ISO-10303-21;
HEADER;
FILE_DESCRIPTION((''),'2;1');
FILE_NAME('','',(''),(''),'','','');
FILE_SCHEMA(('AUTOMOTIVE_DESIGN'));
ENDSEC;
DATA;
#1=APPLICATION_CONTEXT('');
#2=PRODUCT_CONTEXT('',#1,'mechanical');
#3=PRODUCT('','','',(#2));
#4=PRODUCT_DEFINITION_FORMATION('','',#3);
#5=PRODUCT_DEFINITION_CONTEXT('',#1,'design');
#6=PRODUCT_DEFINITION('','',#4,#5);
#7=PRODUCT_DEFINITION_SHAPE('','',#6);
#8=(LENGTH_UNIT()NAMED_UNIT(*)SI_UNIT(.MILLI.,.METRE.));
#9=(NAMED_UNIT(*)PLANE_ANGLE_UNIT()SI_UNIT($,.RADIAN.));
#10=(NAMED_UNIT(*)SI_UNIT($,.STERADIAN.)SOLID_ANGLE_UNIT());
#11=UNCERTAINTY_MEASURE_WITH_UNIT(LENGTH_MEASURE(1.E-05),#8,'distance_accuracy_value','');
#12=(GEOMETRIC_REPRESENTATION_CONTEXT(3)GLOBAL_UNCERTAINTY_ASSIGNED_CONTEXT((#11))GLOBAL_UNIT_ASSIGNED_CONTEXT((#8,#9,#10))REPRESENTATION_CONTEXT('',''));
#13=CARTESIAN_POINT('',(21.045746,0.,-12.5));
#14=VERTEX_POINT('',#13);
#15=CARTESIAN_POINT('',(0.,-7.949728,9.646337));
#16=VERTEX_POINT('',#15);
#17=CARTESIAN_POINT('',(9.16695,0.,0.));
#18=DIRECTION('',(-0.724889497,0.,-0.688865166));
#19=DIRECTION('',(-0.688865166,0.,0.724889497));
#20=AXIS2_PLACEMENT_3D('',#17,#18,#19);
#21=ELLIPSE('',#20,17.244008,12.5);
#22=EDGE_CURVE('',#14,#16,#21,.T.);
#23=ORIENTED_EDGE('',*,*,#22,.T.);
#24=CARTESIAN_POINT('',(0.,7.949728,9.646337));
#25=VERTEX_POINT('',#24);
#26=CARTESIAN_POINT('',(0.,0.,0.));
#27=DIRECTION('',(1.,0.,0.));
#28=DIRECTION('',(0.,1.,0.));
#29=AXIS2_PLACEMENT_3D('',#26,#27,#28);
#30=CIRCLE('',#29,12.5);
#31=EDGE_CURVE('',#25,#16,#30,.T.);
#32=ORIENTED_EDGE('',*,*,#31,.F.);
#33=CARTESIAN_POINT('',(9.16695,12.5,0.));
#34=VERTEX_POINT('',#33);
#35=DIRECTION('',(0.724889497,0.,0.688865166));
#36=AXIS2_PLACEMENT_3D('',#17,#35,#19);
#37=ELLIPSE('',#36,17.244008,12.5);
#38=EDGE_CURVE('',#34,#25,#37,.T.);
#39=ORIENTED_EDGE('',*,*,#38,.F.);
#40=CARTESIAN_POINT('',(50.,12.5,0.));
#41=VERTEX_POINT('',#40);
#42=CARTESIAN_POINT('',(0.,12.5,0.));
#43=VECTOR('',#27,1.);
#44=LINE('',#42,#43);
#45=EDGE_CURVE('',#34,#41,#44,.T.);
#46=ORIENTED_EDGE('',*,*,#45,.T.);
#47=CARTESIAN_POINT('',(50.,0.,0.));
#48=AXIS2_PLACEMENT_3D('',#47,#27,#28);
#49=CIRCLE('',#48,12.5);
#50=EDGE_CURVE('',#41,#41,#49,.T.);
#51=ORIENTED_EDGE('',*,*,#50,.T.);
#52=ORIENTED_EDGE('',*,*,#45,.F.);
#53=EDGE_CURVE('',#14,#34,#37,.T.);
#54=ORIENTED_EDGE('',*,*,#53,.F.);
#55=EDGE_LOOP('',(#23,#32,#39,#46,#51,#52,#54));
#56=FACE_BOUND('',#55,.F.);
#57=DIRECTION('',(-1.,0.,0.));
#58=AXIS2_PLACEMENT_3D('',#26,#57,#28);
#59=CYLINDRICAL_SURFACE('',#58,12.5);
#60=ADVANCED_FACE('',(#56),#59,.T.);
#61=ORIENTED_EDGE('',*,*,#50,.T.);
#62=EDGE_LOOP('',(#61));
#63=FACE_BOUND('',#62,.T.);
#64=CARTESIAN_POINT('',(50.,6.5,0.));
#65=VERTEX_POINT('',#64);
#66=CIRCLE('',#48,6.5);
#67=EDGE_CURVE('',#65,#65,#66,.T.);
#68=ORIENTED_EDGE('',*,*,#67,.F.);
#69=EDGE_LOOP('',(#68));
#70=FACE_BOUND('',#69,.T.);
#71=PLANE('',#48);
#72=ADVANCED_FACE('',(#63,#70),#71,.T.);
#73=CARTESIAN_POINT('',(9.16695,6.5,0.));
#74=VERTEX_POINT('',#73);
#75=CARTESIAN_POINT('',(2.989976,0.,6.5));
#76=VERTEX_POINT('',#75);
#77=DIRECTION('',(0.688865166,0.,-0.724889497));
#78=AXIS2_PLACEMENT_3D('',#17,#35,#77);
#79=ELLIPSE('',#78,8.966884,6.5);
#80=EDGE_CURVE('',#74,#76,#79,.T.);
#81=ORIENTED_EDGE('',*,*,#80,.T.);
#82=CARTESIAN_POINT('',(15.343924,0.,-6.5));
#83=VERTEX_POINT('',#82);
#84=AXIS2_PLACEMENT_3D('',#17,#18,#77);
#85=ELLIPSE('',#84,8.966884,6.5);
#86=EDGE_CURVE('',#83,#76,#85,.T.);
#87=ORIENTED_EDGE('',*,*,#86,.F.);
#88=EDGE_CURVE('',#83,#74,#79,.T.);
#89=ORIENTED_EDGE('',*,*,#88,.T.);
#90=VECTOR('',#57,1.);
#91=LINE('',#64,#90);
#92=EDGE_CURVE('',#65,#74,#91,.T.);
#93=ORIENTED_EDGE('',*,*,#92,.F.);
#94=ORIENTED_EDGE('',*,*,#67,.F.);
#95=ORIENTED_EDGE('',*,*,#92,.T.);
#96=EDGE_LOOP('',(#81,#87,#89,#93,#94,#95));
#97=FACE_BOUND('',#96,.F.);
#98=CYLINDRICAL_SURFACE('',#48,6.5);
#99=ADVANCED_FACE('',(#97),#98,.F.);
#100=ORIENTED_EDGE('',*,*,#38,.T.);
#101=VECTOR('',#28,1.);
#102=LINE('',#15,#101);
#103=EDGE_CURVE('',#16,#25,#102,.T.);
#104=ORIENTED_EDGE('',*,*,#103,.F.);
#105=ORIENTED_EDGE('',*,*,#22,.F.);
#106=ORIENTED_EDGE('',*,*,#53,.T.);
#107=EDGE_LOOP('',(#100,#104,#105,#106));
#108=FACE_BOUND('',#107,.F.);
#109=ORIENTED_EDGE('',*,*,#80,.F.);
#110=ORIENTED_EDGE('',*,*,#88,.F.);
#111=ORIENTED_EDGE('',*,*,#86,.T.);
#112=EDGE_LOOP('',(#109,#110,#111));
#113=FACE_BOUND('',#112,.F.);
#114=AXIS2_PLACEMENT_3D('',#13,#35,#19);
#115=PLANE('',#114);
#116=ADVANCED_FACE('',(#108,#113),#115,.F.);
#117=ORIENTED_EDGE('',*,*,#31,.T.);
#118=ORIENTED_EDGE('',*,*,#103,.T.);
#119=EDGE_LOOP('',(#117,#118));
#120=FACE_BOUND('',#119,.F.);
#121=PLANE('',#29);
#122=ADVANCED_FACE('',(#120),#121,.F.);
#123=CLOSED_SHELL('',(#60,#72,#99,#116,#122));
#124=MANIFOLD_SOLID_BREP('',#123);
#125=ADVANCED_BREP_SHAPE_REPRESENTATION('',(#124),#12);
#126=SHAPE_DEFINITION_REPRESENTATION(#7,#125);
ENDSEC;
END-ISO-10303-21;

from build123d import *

# Parameters (mm, degrees)
F0_R          = 12.5
F1_DEPTH      = 50
F2_R          = 6.5
F3_DEPTH      = 50
F5_DEPTH      = 12.501
F5_DEPTH_BACK = 12.501


with BuildPart() as f1:
    # F0 (on Right) → F1 (new body)
    with BuildSketch(Plane.YZ):
        Circle(F0_R)
    extrude(amount=F1_DEPTH)

    # F2 (on face) → F3 (cut, through all)
    with BuildSketch(Plane.YZ.offset(50)):
        Circle(F2_R)
    extrude(amount=-F3_DEPTH, mode=Mode.SUBTRACT)

    # F4 (on Front) → F5 (cut, two sides)
    with BuildSketch(Plane.XZ) as f5_sk:
        Polygon((0, -12.5), (21.0457462817, -12.5), (0, 9.6463374794), align=None)
    extrude(amount=-F5_DEPTH, mode=Mode.SUBTRACT)
    extrude(f5_sk.sketch, amount=F5_DEPTH_BACK, mode=Mode.SUBTRACT)


solid = f1.part
